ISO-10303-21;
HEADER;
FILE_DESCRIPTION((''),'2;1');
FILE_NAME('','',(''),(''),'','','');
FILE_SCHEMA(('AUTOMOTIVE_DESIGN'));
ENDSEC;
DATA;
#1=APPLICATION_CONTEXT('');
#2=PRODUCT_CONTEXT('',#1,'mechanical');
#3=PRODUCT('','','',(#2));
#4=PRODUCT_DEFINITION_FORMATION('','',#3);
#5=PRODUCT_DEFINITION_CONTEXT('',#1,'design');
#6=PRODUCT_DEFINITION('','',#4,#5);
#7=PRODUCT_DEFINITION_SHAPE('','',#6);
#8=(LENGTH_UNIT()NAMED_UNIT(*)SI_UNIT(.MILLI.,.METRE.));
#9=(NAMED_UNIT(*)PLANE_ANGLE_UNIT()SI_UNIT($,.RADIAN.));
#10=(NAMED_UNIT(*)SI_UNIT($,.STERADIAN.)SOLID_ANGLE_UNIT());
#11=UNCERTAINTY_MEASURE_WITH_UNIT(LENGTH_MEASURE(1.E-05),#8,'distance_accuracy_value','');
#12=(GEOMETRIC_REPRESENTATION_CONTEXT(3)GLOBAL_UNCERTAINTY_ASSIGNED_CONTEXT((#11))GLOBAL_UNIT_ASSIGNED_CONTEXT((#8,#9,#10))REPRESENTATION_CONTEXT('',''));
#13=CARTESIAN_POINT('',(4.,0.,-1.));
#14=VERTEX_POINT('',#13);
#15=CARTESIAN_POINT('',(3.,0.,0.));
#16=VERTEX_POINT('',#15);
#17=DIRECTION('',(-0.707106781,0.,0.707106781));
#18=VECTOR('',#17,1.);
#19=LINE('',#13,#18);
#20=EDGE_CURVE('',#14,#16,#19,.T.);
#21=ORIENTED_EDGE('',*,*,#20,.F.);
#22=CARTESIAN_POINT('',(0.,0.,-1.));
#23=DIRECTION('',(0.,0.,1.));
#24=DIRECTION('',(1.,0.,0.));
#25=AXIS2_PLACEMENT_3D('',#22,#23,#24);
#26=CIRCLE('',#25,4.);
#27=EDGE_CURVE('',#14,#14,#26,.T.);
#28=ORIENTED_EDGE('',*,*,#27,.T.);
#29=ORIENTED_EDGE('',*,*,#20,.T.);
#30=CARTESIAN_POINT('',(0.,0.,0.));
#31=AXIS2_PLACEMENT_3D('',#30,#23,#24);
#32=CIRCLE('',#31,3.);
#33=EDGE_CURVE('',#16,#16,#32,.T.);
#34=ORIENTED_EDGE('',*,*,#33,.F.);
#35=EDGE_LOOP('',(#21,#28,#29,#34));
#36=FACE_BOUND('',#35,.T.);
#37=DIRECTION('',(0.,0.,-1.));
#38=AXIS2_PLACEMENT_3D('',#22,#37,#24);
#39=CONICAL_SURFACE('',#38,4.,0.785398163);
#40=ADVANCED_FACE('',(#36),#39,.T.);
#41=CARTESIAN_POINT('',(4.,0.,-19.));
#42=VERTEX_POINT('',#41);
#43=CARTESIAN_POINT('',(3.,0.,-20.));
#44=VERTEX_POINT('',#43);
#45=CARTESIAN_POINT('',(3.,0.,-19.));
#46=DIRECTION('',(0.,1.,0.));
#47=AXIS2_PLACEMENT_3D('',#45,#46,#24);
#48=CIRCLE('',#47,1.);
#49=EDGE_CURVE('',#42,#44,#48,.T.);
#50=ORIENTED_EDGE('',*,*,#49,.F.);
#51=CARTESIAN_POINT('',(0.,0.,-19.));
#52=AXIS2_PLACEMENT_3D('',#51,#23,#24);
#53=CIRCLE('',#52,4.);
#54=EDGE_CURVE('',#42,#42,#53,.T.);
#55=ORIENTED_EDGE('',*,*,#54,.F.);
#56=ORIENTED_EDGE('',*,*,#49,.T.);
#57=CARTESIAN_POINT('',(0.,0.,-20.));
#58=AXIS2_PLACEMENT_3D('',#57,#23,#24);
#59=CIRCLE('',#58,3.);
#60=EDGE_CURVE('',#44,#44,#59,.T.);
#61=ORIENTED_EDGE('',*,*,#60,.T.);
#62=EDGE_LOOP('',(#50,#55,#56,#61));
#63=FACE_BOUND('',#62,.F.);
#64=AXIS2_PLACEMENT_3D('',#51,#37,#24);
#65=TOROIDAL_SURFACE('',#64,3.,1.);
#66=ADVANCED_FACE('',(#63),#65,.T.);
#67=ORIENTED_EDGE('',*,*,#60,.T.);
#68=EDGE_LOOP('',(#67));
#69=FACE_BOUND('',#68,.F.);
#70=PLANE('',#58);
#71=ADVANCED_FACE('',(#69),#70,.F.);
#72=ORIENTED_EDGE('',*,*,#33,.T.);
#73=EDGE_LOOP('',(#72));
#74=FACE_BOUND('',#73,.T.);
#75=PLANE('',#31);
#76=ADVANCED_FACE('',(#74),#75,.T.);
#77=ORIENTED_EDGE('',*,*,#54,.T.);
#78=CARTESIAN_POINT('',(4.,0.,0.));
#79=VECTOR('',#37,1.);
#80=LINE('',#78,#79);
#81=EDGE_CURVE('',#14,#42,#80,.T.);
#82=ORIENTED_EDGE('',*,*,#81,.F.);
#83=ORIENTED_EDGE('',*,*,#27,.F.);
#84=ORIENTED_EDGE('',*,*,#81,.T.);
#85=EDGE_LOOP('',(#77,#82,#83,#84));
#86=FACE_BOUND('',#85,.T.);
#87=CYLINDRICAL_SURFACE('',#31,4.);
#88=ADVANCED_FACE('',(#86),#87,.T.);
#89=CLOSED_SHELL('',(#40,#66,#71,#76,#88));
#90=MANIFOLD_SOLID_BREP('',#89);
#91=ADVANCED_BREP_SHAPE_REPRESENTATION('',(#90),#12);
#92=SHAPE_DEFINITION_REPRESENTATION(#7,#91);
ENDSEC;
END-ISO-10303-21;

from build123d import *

# Parameters (mm, degrees)
F0_R     = 4
F1_DEPTH = 20
F2_R     = 1
F3_SIZE  = 1


with BuildPart() as f1:
    # F0 (on Top) → F1 (new body)
    with BuildSketch(Plane.XY):
        Circle(F0_R)
    extrude(amount=-F1_DEPTH)

    # F2
    f2_edges = [f1.edges().sort_by_distance(p)[0] for p in [
        (-4, 0, -20),
    ]]
    fillet(f2_edges, radius=F2_R)

    # F3
    f3_edges = [f1.edges().sort_by_distance(p)[0] for p in [
        (-4, 0, 0),
    ]]
    chamfer(f3_edges, length=F3_SIZE)


solid = f1.part
